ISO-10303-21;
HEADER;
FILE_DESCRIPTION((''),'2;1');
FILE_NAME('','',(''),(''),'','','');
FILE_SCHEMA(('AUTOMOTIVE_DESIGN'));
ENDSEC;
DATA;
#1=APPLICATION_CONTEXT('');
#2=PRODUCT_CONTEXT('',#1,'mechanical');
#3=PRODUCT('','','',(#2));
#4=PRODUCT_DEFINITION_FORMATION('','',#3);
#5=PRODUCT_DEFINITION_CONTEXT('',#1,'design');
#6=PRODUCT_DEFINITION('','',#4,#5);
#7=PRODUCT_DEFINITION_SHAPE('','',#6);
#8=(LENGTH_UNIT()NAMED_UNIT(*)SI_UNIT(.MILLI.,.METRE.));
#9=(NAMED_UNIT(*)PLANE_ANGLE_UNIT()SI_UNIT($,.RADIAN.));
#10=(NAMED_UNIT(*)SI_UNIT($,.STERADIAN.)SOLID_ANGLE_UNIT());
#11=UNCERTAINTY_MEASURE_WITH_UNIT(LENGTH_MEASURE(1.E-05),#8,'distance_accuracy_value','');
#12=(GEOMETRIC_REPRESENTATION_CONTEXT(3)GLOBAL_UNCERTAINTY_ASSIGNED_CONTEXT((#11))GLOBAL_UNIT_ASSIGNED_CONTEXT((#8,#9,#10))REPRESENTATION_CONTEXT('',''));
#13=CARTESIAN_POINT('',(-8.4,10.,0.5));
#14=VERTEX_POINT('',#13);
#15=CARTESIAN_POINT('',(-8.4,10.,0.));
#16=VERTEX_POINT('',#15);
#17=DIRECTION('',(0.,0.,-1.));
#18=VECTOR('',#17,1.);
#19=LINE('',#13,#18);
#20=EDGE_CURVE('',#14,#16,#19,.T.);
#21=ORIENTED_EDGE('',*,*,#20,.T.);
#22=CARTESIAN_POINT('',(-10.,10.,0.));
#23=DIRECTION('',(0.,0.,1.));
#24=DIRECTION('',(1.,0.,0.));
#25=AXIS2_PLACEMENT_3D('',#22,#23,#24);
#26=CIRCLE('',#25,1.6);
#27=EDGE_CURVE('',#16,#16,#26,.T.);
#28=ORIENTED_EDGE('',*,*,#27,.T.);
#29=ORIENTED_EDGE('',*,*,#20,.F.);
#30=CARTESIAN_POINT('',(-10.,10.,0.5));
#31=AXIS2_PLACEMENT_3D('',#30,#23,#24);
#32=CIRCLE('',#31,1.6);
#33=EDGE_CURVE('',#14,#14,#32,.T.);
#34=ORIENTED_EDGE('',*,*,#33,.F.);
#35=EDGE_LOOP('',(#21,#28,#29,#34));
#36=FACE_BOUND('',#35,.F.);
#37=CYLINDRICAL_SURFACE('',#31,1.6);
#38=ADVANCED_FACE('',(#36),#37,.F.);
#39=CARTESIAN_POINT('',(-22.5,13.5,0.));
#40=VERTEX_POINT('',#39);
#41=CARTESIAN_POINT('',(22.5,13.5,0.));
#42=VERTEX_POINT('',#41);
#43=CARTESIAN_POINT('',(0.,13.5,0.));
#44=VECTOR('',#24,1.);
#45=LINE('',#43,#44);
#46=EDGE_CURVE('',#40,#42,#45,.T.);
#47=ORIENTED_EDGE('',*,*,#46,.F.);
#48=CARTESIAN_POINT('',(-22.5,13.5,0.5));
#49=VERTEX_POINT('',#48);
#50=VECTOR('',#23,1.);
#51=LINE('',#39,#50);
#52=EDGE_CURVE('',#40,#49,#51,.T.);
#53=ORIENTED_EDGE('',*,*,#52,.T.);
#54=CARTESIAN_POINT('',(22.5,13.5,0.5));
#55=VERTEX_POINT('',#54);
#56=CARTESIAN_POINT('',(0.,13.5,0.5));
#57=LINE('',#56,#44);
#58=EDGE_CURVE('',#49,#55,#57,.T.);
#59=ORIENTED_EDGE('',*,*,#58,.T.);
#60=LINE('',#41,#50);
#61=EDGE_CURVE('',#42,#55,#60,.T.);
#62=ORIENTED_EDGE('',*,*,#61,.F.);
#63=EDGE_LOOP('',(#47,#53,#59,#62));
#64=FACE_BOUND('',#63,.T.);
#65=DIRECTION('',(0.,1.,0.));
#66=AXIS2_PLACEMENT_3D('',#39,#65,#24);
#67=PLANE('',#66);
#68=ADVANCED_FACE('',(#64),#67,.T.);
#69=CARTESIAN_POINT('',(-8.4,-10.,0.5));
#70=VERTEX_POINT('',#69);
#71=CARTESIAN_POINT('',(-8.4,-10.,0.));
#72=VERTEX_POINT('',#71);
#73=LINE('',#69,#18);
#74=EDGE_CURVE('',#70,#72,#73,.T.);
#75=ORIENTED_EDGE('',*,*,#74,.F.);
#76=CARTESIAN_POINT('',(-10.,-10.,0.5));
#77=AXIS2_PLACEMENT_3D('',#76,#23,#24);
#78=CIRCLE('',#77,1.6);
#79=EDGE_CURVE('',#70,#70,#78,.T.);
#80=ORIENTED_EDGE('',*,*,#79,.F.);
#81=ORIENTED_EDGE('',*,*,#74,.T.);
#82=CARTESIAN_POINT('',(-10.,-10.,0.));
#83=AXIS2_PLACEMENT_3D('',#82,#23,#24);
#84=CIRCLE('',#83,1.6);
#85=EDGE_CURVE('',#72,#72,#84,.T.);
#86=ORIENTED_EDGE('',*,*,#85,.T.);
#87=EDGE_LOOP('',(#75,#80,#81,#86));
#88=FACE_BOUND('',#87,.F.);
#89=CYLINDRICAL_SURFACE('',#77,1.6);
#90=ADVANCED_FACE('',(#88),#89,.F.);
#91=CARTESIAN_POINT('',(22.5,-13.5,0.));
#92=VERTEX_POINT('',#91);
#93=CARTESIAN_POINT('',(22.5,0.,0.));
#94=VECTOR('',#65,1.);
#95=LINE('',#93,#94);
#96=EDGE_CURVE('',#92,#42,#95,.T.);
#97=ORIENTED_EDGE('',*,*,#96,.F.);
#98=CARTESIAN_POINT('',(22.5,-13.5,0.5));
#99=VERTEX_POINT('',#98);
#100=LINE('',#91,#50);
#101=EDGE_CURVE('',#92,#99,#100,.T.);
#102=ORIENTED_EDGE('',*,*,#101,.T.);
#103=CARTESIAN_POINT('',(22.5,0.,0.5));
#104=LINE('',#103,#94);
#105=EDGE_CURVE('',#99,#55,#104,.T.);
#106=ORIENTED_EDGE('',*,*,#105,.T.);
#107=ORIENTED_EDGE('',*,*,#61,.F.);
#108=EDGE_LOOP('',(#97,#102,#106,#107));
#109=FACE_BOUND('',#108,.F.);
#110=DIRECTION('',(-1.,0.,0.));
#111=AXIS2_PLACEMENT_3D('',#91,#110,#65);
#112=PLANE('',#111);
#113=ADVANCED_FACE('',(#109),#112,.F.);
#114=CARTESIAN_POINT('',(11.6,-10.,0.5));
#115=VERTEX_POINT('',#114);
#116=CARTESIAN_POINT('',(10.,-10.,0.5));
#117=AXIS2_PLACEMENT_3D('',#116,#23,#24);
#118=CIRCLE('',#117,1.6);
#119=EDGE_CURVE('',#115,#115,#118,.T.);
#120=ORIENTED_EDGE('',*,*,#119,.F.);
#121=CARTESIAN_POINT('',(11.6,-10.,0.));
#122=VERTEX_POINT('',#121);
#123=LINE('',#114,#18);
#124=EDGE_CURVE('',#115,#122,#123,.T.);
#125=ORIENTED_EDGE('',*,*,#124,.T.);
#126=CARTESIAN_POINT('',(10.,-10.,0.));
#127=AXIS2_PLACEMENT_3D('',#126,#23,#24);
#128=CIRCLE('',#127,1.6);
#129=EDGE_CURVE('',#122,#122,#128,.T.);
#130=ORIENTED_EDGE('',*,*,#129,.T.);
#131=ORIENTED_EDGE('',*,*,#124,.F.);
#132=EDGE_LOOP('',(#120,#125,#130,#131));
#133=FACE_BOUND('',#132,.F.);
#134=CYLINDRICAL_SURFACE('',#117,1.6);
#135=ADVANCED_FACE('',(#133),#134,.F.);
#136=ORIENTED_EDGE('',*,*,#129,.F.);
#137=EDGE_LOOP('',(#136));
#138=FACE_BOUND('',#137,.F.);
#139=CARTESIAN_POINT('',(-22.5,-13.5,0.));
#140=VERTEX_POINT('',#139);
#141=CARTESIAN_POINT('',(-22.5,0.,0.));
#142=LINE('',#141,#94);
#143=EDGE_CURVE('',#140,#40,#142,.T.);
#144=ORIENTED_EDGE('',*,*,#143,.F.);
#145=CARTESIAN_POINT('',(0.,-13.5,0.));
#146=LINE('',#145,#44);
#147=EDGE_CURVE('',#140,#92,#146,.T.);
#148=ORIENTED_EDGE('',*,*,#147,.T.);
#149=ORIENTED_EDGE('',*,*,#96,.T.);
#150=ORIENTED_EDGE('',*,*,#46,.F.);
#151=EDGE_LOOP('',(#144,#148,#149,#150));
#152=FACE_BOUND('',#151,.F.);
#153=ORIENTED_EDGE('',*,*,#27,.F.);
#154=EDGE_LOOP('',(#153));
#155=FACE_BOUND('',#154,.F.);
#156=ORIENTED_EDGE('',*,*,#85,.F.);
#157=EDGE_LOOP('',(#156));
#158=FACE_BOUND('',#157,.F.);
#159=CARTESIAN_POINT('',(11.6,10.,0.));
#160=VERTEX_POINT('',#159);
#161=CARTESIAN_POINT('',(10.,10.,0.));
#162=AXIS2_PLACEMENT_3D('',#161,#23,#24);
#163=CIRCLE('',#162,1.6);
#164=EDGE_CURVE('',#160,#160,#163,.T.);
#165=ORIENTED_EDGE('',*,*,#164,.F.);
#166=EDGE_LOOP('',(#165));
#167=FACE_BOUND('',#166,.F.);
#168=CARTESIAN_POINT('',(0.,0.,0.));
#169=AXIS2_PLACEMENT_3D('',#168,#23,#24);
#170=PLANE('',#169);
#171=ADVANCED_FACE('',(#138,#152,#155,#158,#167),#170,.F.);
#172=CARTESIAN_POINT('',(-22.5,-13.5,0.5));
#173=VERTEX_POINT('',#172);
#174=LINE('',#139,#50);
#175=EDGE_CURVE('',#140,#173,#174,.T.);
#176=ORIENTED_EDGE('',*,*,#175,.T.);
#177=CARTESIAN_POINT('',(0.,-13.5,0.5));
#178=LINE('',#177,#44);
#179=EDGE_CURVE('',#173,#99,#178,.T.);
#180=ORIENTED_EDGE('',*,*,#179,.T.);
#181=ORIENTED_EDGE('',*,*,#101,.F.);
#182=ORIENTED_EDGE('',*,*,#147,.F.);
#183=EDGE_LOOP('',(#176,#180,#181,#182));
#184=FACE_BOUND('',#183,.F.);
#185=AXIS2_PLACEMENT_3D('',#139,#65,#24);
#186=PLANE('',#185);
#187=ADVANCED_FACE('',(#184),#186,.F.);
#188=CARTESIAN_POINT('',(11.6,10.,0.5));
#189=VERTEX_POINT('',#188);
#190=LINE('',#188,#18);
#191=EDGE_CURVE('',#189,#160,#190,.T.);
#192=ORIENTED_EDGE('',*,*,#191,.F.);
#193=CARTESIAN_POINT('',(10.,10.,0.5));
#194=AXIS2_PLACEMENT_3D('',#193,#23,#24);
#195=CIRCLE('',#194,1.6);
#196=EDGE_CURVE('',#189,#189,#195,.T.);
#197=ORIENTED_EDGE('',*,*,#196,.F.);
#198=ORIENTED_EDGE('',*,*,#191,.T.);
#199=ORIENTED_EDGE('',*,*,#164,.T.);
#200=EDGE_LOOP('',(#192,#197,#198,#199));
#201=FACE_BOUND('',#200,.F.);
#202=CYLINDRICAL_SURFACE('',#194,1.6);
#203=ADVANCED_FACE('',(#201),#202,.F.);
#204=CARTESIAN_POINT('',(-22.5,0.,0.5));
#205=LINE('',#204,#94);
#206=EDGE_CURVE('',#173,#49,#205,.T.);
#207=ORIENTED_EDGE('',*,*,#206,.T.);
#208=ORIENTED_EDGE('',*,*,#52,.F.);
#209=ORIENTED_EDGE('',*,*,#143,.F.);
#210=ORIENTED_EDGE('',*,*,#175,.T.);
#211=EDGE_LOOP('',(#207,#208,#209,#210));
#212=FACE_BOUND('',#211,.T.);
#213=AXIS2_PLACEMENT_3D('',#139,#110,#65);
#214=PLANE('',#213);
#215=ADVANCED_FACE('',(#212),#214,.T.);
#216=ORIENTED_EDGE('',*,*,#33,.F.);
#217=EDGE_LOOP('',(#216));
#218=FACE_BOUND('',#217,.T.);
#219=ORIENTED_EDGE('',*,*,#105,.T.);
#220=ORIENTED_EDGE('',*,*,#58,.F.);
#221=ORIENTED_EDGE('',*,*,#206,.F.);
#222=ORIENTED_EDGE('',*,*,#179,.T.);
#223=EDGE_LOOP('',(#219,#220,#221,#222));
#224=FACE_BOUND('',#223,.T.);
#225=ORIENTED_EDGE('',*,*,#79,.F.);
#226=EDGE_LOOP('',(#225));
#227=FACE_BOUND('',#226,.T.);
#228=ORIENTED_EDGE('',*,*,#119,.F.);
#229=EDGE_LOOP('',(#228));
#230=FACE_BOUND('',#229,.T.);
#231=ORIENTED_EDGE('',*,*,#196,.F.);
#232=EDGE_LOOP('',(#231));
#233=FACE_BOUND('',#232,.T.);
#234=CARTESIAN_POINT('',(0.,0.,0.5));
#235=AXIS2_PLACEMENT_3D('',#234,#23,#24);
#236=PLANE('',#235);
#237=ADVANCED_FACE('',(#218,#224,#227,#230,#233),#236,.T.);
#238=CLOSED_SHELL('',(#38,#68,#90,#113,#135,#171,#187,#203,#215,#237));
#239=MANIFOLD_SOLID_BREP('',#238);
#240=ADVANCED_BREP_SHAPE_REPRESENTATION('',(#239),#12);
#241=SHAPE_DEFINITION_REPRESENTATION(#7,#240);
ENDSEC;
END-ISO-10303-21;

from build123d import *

# Parameters (mm, degrees)
SKETCH_W     = 45
SKETCH_H     = 27
PAD_DEPTH    = 0.5
SKETCH001_R  = 1.6
POCKET_DEPTH = 5


with BuildPart() as part:
    # Sketch → Pad (new body)
    with BuildSketch(Plane.XY):
        Rectangle(SKETCH_W, SKETCH_H)
    extrude(amount=PAD_DEPTH)

    # Sketch001 (on Face6 of Pad) → Pocket (cut)
    with BuildSketch(Plane.XY.offset(0.5)):
        with Locations((-10, 10)):
            Circle(SKETCH001_R)
        with Locations((10, 10)):
            Circle(SKETCH001_R)
        with Locations((-10, -10)):
            Circle(SKETCH001_R)
        with Locations((10, -10)):
            Circle(SKETCH001_R)
    extrude(amount=-POCKET_DEPTH, mode=Mode.SUBTRACT)


solid = part.part
